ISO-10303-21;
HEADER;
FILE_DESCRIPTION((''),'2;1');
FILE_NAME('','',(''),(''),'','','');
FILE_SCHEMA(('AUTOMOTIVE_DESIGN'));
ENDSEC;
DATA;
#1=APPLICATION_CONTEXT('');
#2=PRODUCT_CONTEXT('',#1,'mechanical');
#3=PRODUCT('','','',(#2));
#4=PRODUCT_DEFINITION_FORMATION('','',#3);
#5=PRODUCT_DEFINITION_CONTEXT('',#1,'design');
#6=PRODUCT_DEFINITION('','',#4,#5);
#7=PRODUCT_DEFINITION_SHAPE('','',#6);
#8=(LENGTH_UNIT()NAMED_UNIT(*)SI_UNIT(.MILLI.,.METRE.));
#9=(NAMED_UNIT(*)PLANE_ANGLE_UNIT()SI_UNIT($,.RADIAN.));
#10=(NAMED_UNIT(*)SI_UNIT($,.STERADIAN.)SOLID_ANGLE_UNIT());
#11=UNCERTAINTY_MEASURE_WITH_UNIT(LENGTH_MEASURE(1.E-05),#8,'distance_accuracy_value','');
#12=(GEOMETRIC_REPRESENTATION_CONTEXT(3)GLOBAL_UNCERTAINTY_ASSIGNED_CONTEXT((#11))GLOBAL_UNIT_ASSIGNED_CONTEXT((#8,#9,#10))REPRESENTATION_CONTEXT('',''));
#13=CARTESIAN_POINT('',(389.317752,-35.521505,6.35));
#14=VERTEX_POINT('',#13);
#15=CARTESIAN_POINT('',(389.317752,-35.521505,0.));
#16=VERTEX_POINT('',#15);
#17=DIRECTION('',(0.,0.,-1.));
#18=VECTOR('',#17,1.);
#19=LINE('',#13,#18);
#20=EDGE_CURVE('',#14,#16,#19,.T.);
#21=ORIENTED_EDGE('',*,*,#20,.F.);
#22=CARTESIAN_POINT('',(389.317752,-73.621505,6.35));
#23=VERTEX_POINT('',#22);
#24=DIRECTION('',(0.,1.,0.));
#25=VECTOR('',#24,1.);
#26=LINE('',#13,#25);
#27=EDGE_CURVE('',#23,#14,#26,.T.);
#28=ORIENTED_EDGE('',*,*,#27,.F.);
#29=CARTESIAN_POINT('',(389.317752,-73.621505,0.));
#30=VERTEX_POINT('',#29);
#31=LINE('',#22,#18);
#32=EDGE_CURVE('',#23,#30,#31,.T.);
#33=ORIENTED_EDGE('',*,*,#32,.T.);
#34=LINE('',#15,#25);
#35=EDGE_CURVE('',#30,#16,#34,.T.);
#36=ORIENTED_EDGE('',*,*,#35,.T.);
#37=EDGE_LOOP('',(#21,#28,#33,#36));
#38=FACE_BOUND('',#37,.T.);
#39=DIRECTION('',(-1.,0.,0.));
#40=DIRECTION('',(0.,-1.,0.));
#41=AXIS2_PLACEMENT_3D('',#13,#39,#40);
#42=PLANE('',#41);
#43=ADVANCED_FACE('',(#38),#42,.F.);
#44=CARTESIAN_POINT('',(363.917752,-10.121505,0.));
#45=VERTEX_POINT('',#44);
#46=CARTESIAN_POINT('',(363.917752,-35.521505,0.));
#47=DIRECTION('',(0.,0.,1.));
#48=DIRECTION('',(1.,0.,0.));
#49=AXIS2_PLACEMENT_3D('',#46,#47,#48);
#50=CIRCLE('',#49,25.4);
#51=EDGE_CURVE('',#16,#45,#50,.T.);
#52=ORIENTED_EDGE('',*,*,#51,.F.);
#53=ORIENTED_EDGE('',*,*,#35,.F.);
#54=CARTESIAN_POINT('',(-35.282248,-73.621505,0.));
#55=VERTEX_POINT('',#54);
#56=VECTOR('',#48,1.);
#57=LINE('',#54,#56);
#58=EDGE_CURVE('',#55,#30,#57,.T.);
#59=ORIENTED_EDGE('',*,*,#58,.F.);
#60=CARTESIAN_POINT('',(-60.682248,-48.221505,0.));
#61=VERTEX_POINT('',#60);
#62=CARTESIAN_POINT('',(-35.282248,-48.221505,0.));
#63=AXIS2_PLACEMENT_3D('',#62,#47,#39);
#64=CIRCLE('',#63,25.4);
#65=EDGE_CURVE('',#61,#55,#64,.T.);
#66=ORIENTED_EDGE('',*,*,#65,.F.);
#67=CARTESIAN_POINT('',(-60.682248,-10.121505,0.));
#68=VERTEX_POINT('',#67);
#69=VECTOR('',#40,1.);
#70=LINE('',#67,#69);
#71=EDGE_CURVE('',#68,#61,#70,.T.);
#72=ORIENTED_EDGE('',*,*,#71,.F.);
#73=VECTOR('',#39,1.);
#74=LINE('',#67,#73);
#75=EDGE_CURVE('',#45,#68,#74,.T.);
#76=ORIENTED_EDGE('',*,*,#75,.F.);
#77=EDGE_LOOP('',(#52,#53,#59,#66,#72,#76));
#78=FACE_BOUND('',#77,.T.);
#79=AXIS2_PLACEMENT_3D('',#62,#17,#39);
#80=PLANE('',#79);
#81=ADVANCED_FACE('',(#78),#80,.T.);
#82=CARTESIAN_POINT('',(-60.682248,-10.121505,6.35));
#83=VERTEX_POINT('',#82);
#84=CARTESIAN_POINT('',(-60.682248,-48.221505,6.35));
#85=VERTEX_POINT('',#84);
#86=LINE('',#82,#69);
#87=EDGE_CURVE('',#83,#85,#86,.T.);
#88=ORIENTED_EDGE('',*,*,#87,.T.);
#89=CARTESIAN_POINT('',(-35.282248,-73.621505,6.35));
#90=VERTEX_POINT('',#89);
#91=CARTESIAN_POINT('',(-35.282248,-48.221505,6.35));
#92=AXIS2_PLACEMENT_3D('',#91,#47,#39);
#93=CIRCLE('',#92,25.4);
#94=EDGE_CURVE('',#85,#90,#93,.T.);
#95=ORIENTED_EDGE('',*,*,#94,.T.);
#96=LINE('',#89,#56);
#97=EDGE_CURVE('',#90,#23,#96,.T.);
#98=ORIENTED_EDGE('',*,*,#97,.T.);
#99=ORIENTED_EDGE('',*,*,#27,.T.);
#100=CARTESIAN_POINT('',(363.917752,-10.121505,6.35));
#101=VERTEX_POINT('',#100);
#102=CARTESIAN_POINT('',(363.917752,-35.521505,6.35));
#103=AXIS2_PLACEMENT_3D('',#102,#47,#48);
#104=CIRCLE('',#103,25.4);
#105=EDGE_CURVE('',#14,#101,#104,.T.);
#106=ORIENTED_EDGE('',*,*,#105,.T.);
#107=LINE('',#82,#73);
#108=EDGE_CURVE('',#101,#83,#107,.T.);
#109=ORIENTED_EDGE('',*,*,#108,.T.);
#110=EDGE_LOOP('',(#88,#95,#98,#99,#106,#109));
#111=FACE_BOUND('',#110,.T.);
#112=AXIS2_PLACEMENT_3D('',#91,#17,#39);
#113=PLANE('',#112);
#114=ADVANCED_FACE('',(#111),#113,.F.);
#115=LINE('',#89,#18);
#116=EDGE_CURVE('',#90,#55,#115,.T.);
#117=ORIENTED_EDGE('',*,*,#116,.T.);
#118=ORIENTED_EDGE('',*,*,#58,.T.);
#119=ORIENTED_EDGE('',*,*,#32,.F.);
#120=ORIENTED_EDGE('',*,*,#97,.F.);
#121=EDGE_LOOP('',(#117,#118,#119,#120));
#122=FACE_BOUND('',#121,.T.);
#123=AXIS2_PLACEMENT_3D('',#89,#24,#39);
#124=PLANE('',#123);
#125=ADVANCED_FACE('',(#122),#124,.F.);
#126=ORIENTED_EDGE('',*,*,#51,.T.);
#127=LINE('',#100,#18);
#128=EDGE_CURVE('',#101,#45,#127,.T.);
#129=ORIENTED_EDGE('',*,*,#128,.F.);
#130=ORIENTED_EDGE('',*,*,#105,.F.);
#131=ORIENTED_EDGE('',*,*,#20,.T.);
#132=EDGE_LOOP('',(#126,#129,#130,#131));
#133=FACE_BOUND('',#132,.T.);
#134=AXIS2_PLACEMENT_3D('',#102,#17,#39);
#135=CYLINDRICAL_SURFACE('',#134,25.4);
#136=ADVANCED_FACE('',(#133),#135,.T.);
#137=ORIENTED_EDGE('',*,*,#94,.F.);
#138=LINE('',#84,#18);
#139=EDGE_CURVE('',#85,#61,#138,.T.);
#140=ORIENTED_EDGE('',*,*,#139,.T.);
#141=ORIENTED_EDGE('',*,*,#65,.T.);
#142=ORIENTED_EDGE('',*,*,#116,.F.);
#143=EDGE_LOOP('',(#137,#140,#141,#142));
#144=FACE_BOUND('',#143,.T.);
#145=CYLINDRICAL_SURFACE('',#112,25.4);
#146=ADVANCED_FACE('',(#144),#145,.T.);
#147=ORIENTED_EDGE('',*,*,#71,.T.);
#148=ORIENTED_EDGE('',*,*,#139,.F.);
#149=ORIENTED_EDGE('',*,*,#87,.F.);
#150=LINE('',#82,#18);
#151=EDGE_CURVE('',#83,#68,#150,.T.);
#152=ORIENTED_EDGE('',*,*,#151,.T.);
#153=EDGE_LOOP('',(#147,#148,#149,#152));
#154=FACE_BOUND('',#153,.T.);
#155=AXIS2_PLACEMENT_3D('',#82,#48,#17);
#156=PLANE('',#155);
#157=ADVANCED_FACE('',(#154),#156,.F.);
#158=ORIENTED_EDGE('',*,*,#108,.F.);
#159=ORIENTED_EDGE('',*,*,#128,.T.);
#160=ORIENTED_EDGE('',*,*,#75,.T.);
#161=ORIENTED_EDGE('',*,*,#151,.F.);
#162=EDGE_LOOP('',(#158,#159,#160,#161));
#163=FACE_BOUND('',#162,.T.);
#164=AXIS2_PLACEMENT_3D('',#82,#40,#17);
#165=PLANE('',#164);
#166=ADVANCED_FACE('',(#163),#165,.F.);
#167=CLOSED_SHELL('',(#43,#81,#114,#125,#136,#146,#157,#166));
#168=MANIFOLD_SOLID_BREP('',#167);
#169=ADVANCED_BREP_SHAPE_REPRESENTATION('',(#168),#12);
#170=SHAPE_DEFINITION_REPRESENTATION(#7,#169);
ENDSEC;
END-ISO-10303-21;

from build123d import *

# Parameters (mm, degrees)
BOSS_EXTRUDE1_DEPTH = 6.35


with BuildPart() as part:
    # Sketch1 → Boss-Extrude1 (new body)
    with BuildSketch(Plane.XY):
        with BuildLine():
            Line((-60.682247835, -10.121504584), (363.917752165, -10.121504584))
            ThreePointArc((363.917752165, -10.121504584), (381.878264407, -17.560992342), (389.317752165, -35.521504584))
            Line((389.317752165, -35.521504584), (389.317752165, -73.621504584))
            Line((389.317752165, -73.621504584), (-35.282247835, -73.621504584))
            ThreePointArc((-35.282247835, -73.621504584), (-53.242760077, -66.182016826), (-60.682247835, -48.221504584))
            Line((-60.682247835, -48.221504584), (-60.682247835, -10.121504584))
        make_face()
    extrude(amount=BOSS_EXTRUDE1_DEPTH)


solid = part.part
